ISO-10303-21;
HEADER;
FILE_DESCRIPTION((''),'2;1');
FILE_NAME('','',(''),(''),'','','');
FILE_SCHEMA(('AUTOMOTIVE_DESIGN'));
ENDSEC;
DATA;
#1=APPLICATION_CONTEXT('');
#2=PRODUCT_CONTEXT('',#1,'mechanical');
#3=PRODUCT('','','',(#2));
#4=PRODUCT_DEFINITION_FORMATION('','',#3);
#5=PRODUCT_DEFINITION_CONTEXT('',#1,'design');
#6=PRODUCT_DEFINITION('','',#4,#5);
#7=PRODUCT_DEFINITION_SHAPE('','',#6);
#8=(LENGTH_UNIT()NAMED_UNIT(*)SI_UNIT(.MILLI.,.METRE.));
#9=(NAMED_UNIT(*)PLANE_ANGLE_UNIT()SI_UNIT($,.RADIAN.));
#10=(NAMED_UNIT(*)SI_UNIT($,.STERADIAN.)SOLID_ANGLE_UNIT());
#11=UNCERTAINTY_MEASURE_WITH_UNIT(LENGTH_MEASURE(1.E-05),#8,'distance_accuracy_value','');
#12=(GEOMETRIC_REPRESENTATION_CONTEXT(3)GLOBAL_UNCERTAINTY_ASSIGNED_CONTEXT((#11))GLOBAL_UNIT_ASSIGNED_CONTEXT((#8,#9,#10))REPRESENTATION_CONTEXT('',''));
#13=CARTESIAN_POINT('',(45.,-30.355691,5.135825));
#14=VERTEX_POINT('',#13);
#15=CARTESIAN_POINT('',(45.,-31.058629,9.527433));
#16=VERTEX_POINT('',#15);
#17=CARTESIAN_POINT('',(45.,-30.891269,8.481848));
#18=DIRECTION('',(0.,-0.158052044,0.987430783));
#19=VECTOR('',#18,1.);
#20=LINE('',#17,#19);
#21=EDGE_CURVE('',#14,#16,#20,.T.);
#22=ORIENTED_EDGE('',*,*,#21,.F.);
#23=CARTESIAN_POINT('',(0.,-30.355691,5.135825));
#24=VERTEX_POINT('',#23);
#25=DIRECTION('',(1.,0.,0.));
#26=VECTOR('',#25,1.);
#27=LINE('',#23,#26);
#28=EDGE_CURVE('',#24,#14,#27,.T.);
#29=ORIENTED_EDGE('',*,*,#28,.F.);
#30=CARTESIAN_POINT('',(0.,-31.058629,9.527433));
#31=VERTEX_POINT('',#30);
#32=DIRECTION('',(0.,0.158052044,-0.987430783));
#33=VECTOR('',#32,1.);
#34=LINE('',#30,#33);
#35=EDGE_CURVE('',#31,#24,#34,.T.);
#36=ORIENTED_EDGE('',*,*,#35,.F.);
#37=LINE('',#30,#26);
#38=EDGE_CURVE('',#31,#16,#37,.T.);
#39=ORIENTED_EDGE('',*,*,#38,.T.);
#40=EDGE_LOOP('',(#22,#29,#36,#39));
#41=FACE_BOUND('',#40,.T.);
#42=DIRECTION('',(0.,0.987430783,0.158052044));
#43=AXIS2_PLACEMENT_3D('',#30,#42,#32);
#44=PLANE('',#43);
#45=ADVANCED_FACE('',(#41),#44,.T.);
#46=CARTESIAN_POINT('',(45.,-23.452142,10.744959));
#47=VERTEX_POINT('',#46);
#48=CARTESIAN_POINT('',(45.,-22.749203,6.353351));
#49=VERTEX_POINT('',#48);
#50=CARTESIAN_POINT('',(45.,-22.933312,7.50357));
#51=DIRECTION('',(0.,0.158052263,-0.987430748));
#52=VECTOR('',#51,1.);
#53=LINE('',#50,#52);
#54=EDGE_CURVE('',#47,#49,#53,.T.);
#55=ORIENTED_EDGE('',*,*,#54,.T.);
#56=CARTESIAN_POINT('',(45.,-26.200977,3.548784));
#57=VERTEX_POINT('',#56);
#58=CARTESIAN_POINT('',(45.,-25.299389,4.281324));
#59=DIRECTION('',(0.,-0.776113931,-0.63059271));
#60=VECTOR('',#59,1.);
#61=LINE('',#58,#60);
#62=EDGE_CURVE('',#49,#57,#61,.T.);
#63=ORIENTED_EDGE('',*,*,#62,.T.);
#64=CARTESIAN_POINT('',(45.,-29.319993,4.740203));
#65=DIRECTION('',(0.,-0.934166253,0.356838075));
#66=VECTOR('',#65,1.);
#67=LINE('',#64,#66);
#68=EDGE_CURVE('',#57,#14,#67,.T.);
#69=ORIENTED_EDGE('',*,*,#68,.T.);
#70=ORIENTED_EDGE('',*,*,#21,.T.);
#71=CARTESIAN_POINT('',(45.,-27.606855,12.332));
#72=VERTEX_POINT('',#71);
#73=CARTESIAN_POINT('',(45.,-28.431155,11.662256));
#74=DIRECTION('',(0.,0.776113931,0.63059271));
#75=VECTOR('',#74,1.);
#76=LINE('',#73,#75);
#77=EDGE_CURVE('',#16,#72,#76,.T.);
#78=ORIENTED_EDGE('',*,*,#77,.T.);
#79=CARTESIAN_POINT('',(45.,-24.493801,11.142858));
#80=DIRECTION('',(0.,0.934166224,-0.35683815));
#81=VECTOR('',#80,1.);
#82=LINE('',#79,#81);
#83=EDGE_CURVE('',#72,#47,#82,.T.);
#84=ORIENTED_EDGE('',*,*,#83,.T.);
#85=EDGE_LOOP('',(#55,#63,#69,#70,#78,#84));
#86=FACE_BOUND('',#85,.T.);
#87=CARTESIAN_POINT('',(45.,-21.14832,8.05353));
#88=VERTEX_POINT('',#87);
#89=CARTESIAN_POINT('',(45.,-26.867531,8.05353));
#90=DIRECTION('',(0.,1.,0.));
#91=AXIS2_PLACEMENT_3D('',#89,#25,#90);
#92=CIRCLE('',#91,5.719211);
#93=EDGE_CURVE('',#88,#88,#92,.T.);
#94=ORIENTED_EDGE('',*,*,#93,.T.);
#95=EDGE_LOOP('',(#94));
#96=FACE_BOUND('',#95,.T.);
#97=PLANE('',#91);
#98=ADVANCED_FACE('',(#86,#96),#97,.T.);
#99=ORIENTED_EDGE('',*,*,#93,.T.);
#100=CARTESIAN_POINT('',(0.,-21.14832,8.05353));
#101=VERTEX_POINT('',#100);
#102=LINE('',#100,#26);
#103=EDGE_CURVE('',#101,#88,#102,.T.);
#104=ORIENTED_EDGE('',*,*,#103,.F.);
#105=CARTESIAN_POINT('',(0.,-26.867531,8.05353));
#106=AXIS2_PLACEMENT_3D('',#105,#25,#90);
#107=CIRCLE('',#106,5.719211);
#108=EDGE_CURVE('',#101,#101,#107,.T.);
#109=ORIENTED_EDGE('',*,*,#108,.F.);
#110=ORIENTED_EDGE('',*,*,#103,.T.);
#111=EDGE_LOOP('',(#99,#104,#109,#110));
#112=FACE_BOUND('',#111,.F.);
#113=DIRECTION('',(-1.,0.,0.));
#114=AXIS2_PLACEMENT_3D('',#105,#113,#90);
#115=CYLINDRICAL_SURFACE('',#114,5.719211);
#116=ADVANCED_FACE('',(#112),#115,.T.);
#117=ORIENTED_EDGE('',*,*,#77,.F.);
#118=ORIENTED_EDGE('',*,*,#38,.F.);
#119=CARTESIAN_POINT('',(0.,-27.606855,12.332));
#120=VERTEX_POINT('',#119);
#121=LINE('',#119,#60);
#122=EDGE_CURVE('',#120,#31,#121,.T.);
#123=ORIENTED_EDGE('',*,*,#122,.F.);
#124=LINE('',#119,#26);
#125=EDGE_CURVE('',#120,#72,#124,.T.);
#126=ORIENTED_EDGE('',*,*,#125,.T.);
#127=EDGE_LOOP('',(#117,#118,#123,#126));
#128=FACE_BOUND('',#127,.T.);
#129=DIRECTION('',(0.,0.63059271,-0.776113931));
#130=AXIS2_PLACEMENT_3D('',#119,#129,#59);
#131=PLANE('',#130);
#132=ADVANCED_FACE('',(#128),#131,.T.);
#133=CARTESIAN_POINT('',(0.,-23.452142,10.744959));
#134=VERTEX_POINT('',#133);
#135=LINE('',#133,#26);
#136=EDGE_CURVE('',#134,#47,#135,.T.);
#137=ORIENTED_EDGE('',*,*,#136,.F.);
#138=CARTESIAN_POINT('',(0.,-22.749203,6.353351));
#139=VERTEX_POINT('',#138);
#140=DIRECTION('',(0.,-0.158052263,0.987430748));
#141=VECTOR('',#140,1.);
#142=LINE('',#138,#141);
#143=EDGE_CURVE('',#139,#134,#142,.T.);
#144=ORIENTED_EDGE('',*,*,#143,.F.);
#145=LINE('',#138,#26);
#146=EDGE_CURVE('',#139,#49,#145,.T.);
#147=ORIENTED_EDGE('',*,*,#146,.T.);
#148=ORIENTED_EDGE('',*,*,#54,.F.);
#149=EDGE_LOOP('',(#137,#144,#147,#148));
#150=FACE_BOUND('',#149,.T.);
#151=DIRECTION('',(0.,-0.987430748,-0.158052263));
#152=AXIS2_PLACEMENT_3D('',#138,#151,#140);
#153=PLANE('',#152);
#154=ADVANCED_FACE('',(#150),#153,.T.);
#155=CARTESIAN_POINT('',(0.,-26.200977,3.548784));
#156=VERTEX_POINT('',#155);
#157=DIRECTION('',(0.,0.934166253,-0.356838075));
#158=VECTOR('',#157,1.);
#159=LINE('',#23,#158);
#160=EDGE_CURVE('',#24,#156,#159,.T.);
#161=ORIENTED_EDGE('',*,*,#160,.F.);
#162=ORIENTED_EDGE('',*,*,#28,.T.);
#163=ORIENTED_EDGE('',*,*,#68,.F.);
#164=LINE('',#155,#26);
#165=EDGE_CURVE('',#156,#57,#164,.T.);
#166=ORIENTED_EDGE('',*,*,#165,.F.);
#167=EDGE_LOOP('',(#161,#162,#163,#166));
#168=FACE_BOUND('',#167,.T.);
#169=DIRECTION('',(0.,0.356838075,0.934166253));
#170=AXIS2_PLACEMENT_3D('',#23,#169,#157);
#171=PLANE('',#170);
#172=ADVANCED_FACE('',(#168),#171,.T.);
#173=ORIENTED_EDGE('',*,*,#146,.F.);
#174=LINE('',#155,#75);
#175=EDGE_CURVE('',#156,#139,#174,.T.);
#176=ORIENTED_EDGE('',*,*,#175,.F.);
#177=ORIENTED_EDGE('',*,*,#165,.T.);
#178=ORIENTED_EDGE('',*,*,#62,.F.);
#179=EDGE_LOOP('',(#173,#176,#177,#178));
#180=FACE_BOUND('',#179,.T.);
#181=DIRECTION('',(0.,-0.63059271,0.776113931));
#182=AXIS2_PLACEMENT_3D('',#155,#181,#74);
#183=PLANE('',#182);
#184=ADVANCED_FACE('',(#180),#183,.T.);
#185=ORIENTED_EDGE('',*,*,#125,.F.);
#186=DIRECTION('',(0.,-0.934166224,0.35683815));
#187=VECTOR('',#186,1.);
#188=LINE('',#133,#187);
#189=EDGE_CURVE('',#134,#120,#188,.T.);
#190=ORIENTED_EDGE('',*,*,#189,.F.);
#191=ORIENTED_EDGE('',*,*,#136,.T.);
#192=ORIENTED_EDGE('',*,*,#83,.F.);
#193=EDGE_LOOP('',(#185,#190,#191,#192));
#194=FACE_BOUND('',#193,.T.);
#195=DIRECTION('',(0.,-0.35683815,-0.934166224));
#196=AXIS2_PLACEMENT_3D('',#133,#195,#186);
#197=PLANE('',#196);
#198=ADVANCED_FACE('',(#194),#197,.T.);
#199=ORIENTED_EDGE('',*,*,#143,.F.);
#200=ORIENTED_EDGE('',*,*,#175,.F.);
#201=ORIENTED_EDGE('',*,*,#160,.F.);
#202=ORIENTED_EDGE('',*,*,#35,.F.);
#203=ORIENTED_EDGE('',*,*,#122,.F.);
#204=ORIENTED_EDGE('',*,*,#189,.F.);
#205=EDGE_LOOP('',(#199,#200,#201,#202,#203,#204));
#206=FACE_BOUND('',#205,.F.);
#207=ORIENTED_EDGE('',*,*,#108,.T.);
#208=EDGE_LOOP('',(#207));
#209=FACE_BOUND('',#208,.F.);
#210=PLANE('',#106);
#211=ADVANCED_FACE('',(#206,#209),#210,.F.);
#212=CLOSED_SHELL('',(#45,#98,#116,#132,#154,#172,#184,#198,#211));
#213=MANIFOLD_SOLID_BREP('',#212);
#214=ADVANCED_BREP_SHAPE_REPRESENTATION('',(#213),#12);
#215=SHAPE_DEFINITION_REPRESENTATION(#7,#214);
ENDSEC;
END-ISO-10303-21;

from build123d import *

# Parameters (mm, degrees)
F0_R     = 5.719211
F1_DEPTH = 45
F3_DEPTH = 45.001


with BuildPart() as f1:
    # F0 (on Right) → F1 (new body)
    with BuildSketch(Plane.YZ):
        with Locations((-26.867531, 8.05353)):
            Circle(F0_R)
    extrude(amount=F1_DEPTH)

    # F2 (on Right) → F3 (cut, through all)
    with BuildSketch(Plane.YZ):
        Polygon((-26.200977, 3.548784), (-22.749203, 6.353351), (-23.452142, 10.744959), (-27.606855, 12.332), (-31.058629, 9.527433), (-30.355691, 5.135825), align=None)
    extrude(amount=F3_DEPTH, mode=Mode.SUBTRACT)


solid = f1.part
